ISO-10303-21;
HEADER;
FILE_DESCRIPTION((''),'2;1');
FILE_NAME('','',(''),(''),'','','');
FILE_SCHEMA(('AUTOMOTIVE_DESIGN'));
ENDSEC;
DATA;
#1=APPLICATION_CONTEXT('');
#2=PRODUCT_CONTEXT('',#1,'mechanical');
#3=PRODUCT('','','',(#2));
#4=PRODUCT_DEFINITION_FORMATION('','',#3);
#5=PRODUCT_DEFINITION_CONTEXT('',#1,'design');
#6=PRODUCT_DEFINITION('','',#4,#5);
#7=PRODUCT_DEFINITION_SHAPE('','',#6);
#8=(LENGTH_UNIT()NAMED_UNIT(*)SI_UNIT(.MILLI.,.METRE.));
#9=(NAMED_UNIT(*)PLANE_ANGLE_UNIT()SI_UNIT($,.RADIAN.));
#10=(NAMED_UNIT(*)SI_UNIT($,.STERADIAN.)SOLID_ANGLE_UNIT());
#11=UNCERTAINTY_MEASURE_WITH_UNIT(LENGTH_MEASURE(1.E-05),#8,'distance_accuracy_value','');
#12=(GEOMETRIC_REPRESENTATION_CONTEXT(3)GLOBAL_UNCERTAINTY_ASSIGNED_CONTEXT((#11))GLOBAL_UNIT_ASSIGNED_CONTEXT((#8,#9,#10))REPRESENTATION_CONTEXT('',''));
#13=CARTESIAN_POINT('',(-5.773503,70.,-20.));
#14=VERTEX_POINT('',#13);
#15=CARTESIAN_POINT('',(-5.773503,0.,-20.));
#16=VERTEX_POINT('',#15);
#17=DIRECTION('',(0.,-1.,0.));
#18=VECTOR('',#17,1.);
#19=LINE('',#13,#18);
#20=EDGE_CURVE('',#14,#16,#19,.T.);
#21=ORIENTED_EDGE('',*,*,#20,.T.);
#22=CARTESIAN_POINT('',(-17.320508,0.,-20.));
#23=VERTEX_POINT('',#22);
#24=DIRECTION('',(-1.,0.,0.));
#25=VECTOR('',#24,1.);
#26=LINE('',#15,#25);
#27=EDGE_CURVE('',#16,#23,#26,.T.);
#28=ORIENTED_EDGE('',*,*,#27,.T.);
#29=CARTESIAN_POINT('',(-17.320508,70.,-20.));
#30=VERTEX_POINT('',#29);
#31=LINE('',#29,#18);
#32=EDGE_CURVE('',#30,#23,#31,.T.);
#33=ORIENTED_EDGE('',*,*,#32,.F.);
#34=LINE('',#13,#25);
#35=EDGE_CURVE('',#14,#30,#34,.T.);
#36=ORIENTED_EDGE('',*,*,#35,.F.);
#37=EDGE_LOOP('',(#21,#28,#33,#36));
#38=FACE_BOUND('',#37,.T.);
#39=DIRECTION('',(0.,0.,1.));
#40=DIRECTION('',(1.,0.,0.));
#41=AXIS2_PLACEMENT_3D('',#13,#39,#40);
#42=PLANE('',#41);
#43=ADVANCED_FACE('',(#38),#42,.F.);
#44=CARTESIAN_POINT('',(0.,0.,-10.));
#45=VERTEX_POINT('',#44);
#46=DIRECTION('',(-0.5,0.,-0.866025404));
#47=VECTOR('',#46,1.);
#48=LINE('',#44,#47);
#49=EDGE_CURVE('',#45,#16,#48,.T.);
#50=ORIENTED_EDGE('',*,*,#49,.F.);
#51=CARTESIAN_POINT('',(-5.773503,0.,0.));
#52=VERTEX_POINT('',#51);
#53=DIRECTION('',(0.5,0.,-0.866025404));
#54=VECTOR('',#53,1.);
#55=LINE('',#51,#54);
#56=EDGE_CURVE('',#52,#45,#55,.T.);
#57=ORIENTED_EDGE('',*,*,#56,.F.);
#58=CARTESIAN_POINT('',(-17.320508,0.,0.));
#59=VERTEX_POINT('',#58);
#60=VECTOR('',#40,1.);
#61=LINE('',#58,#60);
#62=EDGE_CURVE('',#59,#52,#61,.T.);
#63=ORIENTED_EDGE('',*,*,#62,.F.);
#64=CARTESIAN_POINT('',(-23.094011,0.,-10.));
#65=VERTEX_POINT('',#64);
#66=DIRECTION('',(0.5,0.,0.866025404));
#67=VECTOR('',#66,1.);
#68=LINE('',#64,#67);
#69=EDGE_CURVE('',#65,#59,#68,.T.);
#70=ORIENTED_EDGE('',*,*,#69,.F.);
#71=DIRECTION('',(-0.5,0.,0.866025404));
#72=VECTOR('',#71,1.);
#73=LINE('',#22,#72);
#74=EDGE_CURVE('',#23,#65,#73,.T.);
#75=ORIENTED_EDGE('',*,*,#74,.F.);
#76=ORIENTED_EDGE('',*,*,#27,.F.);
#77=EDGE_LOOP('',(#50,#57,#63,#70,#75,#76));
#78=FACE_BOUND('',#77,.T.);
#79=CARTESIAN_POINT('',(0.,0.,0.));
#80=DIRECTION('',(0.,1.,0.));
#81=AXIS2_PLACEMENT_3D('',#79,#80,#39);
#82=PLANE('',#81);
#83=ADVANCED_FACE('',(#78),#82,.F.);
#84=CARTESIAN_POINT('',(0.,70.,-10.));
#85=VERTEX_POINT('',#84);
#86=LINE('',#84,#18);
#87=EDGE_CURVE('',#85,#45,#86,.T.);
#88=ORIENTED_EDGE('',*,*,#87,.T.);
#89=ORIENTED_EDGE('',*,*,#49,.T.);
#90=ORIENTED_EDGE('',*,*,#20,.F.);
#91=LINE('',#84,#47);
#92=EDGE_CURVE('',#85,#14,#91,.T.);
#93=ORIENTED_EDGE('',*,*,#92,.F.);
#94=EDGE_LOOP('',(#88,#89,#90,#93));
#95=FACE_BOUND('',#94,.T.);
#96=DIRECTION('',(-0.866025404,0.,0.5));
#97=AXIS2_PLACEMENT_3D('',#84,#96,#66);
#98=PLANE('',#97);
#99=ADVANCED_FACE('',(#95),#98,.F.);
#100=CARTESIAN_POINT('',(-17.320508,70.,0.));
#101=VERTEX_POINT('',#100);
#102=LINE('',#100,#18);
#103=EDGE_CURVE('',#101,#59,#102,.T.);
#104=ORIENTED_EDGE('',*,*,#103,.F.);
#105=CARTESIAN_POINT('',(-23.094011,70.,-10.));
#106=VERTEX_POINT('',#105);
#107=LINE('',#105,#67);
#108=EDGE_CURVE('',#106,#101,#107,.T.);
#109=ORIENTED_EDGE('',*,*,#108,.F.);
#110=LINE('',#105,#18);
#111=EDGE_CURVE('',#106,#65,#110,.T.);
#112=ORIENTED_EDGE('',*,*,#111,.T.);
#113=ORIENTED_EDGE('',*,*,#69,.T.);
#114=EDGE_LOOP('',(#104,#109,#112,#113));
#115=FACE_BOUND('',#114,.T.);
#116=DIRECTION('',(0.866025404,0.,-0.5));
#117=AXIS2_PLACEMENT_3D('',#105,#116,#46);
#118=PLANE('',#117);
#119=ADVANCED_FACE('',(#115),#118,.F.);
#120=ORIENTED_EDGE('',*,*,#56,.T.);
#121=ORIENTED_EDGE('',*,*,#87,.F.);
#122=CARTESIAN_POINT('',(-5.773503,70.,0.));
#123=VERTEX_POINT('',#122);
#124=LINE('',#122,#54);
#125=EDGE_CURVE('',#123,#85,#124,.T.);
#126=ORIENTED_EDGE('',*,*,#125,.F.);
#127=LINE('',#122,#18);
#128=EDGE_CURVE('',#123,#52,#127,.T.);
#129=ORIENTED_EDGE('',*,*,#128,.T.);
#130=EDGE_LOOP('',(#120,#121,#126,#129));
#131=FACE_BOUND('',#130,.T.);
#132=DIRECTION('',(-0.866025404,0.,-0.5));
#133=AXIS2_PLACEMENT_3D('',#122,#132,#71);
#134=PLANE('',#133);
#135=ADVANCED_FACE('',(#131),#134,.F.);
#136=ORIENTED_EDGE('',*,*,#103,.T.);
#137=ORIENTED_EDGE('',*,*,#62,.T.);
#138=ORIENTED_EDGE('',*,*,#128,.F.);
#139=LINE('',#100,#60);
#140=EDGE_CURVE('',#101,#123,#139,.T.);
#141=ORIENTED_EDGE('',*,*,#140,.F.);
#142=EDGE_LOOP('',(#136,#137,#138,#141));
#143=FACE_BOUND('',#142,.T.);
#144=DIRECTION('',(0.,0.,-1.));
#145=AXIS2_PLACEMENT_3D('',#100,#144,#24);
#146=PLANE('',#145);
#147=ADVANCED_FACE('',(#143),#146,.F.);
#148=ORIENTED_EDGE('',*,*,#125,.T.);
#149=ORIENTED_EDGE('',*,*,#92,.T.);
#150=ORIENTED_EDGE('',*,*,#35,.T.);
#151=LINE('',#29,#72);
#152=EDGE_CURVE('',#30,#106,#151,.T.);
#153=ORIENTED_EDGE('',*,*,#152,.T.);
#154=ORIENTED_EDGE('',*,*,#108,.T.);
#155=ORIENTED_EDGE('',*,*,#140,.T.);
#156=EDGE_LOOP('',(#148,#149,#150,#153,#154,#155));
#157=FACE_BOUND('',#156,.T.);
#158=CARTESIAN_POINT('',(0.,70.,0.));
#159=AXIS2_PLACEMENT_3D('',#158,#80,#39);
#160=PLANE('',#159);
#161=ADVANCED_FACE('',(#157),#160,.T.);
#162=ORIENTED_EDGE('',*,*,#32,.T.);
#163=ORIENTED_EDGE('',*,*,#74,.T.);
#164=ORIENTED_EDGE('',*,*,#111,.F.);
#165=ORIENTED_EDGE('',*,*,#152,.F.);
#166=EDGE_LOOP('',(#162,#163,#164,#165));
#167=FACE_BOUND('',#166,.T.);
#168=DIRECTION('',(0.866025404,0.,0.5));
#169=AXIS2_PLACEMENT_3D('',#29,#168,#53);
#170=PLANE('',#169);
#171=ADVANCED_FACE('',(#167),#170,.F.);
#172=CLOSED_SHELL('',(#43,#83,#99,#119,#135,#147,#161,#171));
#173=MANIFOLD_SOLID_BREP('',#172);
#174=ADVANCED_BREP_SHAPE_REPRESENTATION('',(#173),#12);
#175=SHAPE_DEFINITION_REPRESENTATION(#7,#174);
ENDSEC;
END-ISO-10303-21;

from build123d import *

# Parameters (mm, degrees)
BOSS_EXTRU_1_DEPTH = 70


with BuildPart() as part:
    # Esquisse1 → Boss.-Extru.1 (new body)
    with BuildSketch(Plane(origin=(0, 0, 0), x_dir=(1, 0, 0), z_dir=(0, 1, 0))):
        Polygon((0, 10), (-5.773502692, 20), (-17.320508076, 20), (-23.094010768, 10), (-17.320508076, 0), (-5.773502692, 0), align=None)
    extrude(amount=BOSS_EXTRU_1_DEPTH)


solid = part.part
